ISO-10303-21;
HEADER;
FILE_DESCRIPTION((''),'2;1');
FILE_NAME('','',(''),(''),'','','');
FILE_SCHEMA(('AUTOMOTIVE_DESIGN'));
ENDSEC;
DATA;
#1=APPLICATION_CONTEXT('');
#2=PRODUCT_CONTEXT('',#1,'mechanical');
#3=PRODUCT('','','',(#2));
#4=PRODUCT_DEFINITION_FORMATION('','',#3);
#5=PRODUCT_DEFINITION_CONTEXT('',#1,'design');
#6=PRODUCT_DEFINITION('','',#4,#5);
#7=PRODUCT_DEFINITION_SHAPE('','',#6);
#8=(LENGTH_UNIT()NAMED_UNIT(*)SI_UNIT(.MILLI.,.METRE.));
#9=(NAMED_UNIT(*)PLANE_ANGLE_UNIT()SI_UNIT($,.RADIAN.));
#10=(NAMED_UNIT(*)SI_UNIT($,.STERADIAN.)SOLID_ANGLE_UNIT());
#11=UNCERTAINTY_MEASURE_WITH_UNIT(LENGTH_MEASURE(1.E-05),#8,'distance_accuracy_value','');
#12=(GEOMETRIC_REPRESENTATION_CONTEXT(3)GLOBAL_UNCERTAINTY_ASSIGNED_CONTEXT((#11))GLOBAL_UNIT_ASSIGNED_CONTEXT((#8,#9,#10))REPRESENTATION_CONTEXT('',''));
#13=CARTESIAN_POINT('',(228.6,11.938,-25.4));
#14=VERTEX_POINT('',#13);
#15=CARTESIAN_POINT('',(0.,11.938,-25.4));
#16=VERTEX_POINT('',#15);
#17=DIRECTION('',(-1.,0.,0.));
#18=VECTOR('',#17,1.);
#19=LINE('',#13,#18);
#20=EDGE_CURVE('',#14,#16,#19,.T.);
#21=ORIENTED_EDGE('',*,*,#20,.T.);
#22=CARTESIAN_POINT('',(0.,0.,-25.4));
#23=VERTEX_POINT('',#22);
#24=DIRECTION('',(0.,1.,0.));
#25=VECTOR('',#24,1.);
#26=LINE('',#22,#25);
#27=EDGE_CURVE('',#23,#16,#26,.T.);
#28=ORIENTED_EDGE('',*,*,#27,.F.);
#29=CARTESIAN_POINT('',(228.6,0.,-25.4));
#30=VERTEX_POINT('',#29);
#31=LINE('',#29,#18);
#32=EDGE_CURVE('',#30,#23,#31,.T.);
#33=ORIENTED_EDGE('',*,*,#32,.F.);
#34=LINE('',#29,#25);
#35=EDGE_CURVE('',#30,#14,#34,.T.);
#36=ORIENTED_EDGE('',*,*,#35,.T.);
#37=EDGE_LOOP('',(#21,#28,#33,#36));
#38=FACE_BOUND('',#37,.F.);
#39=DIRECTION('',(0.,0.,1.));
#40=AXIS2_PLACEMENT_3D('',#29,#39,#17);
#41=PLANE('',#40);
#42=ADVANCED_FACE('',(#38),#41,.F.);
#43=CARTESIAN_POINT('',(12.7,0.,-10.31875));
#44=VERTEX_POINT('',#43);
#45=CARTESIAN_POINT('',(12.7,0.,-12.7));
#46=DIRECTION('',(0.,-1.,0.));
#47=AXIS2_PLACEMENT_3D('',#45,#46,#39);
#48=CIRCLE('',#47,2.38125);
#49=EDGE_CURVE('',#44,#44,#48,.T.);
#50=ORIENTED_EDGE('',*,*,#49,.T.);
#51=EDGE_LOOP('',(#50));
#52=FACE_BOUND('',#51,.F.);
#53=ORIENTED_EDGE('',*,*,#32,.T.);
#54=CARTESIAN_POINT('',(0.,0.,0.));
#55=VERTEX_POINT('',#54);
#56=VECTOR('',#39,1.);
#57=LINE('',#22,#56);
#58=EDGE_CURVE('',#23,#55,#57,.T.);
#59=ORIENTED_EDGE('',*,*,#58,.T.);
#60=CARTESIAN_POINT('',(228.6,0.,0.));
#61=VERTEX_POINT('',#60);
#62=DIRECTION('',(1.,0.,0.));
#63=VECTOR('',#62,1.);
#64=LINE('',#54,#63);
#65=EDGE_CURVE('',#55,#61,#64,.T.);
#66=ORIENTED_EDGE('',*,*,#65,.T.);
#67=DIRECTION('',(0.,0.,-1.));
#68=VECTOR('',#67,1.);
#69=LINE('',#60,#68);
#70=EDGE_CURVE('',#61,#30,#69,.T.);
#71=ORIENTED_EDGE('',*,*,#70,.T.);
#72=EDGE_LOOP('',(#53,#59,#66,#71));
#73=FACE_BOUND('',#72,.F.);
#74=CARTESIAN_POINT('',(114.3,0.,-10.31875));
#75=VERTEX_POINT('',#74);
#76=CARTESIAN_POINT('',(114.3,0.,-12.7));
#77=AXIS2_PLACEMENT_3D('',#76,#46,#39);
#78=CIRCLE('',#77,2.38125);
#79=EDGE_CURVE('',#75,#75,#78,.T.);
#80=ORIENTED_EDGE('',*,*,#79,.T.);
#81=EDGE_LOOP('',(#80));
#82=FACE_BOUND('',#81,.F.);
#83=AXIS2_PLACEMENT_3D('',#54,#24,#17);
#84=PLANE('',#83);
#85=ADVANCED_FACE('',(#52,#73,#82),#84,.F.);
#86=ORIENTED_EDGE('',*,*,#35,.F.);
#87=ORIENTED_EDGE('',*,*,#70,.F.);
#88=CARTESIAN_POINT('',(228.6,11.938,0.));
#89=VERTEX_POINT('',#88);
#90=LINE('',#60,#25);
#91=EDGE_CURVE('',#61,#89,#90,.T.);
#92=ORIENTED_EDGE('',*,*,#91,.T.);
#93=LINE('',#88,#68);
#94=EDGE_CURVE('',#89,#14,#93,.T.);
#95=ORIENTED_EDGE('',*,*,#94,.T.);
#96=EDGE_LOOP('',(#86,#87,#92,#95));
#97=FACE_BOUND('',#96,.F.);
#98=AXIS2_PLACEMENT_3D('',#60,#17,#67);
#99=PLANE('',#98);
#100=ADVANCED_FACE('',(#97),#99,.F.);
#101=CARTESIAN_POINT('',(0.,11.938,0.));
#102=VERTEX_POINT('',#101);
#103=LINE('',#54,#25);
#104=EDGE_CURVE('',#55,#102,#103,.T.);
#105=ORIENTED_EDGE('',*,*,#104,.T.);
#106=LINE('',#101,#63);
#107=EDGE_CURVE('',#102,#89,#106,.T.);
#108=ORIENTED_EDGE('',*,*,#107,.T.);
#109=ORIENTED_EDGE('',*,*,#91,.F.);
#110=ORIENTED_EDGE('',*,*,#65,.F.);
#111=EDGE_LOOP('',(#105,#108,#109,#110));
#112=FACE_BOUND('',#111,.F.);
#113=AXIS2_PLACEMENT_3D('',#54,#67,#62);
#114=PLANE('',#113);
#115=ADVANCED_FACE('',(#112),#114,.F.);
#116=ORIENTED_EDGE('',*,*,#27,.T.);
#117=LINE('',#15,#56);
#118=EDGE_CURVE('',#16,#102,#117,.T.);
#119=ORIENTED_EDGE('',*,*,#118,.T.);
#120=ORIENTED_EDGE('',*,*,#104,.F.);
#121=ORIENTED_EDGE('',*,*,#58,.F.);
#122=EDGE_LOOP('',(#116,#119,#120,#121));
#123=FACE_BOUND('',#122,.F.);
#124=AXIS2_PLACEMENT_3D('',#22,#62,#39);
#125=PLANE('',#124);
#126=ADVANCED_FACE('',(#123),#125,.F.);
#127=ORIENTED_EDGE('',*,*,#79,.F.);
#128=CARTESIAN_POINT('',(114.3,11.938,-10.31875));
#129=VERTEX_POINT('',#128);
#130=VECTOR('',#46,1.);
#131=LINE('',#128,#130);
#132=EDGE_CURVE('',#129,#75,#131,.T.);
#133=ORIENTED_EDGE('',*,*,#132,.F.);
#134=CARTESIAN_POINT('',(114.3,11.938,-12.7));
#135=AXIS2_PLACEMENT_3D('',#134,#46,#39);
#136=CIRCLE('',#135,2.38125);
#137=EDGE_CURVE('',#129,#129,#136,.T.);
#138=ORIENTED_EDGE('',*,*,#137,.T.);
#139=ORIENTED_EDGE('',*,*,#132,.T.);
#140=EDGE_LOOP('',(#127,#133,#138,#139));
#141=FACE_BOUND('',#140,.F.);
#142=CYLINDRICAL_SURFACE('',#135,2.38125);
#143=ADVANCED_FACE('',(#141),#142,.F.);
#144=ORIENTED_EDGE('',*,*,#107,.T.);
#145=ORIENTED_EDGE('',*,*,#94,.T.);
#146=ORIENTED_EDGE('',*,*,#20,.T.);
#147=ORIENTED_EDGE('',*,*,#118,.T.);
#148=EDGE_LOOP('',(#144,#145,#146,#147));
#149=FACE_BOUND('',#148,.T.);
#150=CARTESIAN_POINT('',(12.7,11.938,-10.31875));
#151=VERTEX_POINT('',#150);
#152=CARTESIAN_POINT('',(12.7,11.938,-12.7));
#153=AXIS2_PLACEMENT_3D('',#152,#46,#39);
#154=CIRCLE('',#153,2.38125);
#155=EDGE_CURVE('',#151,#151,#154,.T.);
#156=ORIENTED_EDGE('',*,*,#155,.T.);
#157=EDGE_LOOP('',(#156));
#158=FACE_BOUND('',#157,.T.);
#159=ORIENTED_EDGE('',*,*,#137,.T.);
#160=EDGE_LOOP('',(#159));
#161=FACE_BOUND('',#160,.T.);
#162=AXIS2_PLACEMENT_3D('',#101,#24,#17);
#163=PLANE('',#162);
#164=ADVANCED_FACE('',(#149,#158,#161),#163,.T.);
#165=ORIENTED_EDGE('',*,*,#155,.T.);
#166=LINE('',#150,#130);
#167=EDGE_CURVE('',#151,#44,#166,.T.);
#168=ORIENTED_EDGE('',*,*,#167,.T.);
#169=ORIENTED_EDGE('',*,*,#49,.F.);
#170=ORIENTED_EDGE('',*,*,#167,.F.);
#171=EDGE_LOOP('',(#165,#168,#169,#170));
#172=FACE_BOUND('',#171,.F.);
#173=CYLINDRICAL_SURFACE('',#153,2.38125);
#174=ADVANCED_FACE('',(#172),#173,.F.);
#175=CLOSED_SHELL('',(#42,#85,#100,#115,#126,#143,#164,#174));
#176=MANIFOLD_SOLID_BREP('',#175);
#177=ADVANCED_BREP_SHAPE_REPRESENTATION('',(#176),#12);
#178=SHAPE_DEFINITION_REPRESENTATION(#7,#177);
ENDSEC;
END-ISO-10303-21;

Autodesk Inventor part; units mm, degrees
ref_plane "YZ Plane" through (0, 0, 0) normal (1, 0, 0) x (0, 1, 0)
ref_plane "XZ Plane" through (0, 0, 0) normal (0, 1, 0) x (-1, 0, 0)
ref_plane "XY Plane" through (0, 0, 0) normal (0, 0, 1) x (1, 0, 0)
sketch "Sketch1" plane through (0, 0, 0) normal (0, 1, 0) x (-1, 0, 0)
  line L0 (0, 0) -> (-228.6, 0)
  line L1 (-228.6, 0) -> (-228.6, -25.4)
  line L2 (-228.6, -25.4) -> (0, -25.4)
  line L3 (0, -25.4) -> (0, 0)
  dimension "d0" = 228.6
  dimension "d1" = 25.4
extrude "Extrusion1" add sketch "Sketch1" along normal blind 11.938
sketch "Sketch4" plane through (0, 11.938, 0) normal (0, 1, 0) x (1, 0, 0)
  line L0 (228.6, 25.4) -> (0, 25.4) projected
  line L1 (114.3, 25.4) -> (114.3, 0) construction
  line L2 (0, 0) -> (228.6, 0) projected
  circle A0 centre (114.3, 12.7) radius 2.3812
  line L3 (0, 25.4) -> (0, 0) projected
  line L4 (0, 12.7) -> (12.7, 12.7)
  line L5 (0, 12.7) -> (12.7, 12.7) construction
  circle A1 centre (12.7, 12.7) radius 2.3812
  dimension "d40" = 12.7
  dimension "d42" = 4.7625
hole "Hole3" at (114.3, 11.938, -12.7) at (12.7, 11.938, -12.7) direction (0, -1, 0) diameter 4.7625 end through all
properties part number "track"
